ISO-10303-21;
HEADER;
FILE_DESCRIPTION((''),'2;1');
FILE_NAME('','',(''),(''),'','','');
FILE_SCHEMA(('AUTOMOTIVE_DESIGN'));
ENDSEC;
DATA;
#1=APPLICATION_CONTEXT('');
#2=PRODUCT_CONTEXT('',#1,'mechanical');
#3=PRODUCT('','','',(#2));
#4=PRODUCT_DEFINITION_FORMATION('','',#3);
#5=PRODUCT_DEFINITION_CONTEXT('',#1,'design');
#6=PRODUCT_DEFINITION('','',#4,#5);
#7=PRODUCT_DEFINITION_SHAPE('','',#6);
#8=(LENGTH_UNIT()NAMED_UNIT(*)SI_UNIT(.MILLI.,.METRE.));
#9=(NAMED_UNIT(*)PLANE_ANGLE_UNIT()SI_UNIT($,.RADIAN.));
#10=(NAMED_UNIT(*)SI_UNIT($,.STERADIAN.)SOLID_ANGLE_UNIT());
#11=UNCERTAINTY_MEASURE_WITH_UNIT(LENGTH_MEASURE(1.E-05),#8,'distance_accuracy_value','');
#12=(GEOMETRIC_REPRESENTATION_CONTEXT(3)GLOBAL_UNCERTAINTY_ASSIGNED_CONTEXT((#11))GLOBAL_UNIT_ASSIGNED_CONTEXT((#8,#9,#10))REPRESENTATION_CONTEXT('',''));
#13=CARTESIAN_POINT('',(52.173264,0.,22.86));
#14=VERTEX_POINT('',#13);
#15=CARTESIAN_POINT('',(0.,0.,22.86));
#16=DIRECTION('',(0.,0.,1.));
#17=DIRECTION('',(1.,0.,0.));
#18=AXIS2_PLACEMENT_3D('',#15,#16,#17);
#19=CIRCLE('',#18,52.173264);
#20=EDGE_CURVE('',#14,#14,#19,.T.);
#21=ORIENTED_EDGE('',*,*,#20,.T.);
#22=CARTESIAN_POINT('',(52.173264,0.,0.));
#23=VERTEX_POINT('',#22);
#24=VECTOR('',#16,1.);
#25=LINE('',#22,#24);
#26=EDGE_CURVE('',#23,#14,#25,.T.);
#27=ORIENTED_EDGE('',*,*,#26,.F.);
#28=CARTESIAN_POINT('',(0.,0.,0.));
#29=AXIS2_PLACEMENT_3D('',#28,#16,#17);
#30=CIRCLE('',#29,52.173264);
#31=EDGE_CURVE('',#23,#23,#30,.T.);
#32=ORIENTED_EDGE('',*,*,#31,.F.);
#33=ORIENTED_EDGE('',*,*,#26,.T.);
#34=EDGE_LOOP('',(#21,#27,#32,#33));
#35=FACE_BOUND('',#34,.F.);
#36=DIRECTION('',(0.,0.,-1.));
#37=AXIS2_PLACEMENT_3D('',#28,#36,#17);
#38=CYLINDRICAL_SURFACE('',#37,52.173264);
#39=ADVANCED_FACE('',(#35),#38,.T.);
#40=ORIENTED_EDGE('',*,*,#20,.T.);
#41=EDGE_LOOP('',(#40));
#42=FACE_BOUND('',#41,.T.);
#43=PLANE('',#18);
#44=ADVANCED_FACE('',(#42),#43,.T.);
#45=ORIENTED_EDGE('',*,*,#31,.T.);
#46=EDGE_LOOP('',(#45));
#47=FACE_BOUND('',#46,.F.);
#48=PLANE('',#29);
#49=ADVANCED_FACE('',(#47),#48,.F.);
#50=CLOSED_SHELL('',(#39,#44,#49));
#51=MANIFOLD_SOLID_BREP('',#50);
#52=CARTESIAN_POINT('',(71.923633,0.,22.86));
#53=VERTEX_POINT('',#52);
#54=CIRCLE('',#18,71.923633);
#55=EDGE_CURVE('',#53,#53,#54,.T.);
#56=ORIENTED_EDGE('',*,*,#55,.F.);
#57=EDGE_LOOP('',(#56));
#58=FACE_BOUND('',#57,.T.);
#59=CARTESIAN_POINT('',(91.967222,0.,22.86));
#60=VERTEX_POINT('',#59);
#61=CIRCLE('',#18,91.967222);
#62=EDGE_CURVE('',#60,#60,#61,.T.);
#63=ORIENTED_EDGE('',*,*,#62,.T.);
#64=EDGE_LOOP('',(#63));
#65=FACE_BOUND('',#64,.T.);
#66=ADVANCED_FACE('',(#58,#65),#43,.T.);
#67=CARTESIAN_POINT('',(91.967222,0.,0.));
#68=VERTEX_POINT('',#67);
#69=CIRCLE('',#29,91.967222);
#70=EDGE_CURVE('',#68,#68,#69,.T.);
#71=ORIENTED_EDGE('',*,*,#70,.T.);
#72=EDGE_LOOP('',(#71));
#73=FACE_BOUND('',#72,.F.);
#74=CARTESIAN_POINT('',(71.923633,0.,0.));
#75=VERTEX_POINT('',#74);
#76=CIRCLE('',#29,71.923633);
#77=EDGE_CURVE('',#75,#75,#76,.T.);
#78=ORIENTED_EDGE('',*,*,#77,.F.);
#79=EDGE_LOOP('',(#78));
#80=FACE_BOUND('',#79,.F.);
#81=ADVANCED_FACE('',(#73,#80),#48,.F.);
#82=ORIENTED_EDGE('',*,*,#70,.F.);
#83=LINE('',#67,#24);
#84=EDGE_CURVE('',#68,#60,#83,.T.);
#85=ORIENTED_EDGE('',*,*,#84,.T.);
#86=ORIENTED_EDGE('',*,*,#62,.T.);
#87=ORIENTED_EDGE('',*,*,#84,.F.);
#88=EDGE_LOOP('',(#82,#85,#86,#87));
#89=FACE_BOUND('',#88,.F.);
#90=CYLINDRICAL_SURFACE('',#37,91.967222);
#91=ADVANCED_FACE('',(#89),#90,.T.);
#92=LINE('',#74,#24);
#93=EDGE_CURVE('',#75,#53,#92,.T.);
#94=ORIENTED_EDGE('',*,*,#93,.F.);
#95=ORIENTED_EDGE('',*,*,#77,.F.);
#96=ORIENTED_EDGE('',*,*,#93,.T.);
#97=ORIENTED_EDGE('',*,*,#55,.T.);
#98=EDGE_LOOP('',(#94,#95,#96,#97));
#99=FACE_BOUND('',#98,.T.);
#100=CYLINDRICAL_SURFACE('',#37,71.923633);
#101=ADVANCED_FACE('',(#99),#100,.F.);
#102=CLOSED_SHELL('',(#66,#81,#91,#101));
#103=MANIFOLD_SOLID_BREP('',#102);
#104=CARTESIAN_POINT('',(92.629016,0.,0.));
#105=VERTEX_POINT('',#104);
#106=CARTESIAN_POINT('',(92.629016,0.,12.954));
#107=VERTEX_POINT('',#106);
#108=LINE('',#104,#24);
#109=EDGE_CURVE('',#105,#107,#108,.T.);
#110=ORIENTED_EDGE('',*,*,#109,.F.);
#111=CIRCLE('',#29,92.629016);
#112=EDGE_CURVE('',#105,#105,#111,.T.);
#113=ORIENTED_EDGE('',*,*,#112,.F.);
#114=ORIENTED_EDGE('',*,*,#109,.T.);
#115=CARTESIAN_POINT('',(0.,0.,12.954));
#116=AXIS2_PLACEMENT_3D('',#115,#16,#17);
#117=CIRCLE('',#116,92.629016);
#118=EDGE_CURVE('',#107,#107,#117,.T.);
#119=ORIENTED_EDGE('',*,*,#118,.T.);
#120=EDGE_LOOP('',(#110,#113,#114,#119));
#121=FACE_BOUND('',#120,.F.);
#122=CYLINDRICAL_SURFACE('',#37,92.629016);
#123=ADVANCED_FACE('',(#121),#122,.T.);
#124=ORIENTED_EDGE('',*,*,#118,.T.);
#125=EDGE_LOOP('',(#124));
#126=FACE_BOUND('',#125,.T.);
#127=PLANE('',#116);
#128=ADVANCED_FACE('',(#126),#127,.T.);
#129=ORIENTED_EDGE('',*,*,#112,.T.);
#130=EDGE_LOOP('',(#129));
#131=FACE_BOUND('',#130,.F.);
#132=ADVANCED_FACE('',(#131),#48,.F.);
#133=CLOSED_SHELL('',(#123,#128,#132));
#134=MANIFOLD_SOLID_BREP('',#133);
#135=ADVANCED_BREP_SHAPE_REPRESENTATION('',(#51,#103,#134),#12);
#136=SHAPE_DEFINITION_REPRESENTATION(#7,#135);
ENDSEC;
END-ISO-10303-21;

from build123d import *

# Parameters (mm, degrees)
F0_R     = 91.967222
F0_R_2   = 71.923633
F0_R_3   = 52.173264
F1_DEPTH = 22.86
F2_R     = 92.629016
F3_DEPTH = 12.954


with BuildPart() as f1:
    # F0 (on Top) → F1 (new body)
    with BuildSketch(Plane.XY):
        Circle(F0_R)
        Circle(F0_R_2, mode=Mode.SUBTRACT)
        Circle(F0_R_3)
    extrude(amount=F1_DEPTH)


with BuildPart() as f3:
    # F2 (on Top) → F3 (new body)
    with BuildSketch(Plane.XY):
        Circle(F2_R)
    extrude(amount=F3_DEPTH)


solid = Compound([f1.part, f3.part])
